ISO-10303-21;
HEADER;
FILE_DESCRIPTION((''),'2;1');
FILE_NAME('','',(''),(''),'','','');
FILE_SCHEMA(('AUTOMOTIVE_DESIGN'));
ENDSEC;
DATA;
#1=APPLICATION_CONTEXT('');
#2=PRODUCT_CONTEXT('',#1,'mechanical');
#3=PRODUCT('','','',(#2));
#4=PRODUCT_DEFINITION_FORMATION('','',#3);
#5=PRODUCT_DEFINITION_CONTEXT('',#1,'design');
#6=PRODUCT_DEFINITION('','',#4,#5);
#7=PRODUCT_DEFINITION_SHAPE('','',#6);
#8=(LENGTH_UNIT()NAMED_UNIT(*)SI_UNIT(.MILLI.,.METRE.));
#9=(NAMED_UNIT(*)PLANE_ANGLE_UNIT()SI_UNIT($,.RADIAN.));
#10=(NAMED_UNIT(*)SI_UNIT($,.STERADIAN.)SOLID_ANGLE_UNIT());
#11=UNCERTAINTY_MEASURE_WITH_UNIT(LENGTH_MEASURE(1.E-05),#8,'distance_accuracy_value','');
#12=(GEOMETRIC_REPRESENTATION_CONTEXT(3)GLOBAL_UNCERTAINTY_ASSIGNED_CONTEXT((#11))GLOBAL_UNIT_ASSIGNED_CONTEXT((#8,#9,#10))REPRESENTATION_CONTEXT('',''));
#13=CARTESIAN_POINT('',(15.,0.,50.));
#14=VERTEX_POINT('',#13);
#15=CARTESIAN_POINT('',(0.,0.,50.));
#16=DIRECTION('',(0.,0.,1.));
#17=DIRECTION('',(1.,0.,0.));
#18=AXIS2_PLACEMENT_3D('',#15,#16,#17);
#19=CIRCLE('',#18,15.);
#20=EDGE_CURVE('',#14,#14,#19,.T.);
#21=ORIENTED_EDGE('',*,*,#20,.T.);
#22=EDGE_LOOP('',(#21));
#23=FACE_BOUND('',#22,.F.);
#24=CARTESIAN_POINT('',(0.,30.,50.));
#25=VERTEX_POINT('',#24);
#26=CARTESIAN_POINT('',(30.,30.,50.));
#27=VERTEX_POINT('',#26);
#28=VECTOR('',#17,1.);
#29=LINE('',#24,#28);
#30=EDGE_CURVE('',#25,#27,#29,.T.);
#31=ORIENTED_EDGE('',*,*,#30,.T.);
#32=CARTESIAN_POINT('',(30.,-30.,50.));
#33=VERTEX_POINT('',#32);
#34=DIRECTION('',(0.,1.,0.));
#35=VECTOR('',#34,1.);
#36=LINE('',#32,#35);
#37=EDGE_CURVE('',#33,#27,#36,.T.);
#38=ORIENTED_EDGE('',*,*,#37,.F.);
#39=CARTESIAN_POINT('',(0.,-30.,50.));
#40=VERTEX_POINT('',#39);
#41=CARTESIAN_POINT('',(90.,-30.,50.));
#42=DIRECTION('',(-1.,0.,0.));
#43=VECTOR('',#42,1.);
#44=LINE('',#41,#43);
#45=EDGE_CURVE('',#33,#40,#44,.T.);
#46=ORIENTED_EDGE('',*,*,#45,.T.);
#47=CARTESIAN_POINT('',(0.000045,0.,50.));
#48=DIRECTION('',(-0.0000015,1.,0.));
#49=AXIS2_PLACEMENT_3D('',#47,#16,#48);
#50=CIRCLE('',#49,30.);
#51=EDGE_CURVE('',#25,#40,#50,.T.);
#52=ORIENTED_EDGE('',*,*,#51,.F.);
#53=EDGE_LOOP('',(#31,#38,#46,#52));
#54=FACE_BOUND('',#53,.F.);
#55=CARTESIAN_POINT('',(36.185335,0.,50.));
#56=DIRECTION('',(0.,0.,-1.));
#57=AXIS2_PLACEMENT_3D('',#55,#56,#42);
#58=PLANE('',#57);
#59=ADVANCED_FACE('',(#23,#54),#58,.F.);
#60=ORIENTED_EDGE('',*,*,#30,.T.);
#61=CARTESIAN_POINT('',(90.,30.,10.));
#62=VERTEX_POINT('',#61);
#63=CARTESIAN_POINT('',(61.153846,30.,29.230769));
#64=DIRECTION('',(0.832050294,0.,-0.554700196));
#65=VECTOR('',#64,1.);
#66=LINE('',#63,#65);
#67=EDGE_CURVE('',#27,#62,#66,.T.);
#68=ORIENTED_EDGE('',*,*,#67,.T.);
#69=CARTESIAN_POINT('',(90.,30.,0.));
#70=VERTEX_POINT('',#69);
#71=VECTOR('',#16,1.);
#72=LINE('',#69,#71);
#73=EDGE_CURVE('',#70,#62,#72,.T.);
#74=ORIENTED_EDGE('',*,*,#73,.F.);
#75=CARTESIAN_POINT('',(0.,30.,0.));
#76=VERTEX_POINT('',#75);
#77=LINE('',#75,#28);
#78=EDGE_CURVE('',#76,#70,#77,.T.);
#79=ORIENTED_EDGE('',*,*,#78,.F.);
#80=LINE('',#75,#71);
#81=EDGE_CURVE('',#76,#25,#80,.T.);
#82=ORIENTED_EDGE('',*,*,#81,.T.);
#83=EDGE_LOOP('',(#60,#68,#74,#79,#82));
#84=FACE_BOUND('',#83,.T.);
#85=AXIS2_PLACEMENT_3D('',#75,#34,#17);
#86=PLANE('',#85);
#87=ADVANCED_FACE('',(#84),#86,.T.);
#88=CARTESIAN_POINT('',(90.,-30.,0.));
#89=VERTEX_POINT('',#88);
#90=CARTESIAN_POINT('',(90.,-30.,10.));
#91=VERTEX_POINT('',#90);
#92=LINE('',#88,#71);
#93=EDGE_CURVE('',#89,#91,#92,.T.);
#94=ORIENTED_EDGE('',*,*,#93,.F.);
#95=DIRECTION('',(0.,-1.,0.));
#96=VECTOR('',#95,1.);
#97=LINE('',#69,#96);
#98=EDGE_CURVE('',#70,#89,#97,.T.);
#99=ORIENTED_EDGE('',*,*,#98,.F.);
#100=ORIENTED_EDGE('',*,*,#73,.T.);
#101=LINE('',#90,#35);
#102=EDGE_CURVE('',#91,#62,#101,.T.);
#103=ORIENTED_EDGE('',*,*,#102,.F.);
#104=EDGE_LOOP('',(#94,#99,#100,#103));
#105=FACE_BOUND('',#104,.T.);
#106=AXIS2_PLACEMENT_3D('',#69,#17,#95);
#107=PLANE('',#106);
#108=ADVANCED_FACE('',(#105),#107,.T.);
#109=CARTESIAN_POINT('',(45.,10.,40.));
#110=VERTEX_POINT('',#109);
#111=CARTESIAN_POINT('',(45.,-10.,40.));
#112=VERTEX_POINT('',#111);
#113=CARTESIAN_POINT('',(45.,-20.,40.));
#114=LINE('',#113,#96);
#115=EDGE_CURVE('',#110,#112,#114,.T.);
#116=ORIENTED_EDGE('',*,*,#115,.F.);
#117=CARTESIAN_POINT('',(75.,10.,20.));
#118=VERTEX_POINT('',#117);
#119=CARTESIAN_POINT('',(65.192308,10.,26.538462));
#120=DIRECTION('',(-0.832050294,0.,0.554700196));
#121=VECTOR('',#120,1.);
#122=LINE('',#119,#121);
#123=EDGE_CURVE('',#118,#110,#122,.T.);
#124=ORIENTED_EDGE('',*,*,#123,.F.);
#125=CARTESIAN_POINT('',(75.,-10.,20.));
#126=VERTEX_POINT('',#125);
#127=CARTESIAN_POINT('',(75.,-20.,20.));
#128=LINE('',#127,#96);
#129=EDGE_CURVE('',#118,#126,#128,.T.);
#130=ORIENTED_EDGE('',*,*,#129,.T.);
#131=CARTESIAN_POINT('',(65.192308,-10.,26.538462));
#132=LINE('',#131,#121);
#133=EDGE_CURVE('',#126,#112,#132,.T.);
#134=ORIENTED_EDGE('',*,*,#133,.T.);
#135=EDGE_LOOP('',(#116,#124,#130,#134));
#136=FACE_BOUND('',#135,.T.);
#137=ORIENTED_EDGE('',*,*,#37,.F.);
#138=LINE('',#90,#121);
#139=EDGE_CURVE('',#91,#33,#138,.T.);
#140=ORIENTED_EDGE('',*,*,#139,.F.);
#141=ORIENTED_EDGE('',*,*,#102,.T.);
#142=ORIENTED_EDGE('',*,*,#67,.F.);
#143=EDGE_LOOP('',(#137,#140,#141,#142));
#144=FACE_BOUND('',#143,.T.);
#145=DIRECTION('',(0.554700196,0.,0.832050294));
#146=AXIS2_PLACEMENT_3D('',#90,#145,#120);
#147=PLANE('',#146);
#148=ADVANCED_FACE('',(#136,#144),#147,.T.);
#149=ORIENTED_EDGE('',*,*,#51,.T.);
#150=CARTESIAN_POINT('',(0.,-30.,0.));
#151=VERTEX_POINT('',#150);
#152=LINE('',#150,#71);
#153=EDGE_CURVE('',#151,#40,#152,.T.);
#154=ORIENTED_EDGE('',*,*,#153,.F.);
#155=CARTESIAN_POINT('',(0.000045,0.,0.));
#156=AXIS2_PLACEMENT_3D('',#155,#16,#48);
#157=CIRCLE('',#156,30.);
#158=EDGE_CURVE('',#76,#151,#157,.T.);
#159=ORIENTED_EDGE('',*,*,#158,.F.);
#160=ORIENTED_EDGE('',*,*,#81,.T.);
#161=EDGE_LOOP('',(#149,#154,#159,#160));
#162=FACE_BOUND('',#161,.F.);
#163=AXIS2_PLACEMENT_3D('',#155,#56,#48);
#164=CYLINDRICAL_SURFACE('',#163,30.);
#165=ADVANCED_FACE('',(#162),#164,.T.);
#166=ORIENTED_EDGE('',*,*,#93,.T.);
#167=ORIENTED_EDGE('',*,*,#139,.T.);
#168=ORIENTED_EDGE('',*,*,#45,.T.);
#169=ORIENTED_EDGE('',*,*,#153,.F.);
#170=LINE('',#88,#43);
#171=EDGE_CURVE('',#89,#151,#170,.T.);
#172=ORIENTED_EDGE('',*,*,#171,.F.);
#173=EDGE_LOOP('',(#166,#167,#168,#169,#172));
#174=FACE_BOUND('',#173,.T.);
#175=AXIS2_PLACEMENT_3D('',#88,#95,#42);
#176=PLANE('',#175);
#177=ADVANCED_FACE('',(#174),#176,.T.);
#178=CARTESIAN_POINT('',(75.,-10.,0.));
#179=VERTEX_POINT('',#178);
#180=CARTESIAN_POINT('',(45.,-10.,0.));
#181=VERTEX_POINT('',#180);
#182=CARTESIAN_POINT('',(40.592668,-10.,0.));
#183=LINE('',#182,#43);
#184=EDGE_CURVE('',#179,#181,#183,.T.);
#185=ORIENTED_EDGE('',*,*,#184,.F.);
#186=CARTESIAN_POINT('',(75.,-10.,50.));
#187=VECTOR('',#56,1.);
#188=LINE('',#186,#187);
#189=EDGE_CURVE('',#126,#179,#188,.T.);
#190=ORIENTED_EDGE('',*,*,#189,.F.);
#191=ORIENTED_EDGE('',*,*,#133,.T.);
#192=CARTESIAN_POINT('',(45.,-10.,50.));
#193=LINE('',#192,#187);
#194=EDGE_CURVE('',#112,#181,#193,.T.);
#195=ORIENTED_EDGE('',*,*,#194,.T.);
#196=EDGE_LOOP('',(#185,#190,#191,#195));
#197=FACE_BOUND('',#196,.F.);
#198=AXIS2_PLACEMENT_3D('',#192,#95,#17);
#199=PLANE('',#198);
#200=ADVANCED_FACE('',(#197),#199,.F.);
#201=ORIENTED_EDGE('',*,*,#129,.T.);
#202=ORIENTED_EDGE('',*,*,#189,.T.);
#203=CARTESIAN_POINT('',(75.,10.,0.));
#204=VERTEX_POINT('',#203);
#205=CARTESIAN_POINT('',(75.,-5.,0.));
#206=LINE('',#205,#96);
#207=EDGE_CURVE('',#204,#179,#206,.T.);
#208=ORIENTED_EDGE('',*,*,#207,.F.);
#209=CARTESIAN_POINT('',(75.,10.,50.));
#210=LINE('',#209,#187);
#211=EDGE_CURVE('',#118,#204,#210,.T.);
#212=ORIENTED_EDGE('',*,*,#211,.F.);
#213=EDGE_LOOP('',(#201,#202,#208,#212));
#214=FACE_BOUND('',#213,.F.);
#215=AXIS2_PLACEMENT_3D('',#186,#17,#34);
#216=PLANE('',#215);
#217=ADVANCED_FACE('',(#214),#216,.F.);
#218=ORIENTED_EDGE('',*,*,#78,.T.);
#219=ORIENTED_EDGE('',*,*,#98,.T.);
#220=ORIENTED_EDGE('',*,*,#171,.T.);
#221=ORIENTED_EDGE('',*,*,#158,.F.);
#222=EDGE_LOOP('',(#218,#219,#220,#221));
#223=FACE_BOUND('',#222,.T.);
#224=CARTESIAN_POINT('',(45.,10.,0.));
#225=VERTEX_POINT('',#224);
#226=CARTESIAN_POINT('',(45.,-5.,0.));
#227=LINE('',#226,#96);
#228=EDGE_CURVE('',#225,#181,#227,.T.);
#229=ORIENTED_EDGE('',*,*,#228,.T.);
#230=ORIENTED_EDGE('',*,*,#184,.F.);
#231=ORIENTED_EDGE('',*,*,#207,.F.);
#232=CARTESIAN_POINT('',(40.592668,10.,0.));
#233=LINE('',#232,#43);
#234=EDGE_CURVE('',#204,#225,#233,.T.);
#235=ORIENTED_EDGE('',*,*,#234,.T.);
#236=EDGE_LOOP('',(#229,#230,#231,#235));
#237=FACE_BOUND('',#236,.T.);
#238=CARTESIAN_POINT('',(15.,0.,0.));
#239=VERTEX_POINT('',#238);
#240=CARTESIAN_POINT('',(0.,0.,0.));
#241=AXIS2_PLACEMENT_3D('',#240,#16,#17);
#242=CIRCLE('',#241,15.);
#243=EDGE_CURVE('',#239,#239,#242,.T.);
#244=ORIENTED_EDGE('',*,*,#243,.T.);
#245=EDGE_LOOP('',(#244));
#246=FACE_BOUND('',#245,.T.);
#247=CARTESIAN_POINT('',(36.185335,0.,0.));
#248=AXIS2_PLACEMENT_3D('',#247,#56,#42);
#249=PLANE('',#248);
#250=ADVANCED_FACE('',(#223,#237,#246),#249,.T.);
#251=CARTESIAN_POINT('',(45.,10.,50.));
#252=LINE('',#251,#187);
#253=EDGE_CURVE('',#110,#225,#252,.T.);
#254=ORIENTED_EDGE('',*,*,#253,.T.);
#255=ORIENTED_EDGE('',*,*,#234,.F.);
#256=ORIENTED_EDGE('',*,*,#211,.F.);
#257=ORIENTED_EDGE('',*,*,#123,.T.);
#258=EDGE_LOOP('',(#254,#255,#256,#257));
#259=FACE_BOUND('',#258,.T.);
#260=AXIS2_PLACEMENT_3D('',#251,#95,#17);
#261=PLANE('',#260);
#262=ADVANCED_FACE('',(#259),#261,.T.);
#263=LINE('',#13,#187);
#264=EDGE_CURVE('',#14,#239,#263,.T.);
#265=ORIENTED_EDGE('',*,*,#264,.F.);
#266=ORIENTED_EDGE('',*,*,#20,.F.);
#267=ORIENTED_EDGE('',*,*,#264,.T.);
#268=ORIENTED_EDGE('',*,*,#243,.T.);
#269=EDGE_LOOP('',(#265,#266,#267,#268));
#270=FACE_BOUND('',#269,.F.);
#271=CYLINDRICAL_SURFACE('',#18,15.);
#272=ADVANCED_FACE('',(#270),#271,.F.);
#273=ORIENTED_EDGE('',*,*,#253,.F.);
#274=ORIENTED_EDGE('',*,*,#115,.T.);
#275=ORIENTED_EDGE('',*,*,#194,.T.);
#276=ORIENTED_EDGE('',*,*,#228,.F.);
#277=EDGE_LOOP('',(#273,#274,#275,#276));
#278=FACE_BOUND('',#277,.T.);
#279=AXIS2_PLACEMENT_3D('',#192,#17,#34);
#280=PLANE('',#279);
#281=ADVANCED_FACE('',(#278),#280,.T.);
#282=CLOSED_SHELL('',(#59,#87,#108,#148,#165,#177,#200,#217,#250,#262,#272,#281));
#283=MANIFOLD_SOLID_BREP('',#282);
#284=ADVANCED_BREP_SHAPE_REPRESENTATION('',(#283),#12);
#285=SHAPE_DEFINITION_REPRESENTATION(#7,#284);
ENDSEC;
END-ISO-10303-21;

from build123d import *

# Parameters (mm, degrees)
PAD_DEPTH       = 50
SKETCH001_W     = 30
SKETCH001_H     = 20
POCKET_DEPTH    = 50.001
POCKET001_DEPTH = 60.001
SKETCH003_R     = 15
POCKET002_DEPTH = 50.001


with BuildPart() as part:
    # Sketch → Pad (new body)
    with BuildSketch(Plane.XY):
        with BuildLine():
            Line((0, 30), (90, 30))
            Line((90, 30), (90, -30))
            Line((90, -30), (0, -30))
            ThreePointArc((0, 30), (-29.999955, 0), (0, -30))
        make_face()
    extrude(amount=PAD_DEPTH)

    # Sketch001 (on Face6 of Pad) → Pocket (cut, through all)
    with BuildSketch(Plane.XY.offset(50)):
        with Locations((60, 0)):
            Rectangle(SKETCH001_W, SKETCH001_H)
    extrude(amount=-POCKET_DEPTH, mode=Mode.SUBTRACT)

    # Sketch002 (on Face6 of Pocket) → Pocket001 (cut, through all)
    with BuildSketch(Plane.XZ.offset(30)):
        Polygon((30, 50), (90, 50), (90, 10), align=None)
    extrude(amount=-POCKET001_DEPTH, mode=Mode.SUBTRACT)

    # Sketch003 (on Face5 of Pocket001) → Pocket002 (cut, through all)
    with BuildSketch(Plane.XY.offset(50)):
        Circle(SKETCH003_R)
    extrude(amount=-POCKET002_DEPTH, mode=Mode.SUBTRACT)


solid = part.part
